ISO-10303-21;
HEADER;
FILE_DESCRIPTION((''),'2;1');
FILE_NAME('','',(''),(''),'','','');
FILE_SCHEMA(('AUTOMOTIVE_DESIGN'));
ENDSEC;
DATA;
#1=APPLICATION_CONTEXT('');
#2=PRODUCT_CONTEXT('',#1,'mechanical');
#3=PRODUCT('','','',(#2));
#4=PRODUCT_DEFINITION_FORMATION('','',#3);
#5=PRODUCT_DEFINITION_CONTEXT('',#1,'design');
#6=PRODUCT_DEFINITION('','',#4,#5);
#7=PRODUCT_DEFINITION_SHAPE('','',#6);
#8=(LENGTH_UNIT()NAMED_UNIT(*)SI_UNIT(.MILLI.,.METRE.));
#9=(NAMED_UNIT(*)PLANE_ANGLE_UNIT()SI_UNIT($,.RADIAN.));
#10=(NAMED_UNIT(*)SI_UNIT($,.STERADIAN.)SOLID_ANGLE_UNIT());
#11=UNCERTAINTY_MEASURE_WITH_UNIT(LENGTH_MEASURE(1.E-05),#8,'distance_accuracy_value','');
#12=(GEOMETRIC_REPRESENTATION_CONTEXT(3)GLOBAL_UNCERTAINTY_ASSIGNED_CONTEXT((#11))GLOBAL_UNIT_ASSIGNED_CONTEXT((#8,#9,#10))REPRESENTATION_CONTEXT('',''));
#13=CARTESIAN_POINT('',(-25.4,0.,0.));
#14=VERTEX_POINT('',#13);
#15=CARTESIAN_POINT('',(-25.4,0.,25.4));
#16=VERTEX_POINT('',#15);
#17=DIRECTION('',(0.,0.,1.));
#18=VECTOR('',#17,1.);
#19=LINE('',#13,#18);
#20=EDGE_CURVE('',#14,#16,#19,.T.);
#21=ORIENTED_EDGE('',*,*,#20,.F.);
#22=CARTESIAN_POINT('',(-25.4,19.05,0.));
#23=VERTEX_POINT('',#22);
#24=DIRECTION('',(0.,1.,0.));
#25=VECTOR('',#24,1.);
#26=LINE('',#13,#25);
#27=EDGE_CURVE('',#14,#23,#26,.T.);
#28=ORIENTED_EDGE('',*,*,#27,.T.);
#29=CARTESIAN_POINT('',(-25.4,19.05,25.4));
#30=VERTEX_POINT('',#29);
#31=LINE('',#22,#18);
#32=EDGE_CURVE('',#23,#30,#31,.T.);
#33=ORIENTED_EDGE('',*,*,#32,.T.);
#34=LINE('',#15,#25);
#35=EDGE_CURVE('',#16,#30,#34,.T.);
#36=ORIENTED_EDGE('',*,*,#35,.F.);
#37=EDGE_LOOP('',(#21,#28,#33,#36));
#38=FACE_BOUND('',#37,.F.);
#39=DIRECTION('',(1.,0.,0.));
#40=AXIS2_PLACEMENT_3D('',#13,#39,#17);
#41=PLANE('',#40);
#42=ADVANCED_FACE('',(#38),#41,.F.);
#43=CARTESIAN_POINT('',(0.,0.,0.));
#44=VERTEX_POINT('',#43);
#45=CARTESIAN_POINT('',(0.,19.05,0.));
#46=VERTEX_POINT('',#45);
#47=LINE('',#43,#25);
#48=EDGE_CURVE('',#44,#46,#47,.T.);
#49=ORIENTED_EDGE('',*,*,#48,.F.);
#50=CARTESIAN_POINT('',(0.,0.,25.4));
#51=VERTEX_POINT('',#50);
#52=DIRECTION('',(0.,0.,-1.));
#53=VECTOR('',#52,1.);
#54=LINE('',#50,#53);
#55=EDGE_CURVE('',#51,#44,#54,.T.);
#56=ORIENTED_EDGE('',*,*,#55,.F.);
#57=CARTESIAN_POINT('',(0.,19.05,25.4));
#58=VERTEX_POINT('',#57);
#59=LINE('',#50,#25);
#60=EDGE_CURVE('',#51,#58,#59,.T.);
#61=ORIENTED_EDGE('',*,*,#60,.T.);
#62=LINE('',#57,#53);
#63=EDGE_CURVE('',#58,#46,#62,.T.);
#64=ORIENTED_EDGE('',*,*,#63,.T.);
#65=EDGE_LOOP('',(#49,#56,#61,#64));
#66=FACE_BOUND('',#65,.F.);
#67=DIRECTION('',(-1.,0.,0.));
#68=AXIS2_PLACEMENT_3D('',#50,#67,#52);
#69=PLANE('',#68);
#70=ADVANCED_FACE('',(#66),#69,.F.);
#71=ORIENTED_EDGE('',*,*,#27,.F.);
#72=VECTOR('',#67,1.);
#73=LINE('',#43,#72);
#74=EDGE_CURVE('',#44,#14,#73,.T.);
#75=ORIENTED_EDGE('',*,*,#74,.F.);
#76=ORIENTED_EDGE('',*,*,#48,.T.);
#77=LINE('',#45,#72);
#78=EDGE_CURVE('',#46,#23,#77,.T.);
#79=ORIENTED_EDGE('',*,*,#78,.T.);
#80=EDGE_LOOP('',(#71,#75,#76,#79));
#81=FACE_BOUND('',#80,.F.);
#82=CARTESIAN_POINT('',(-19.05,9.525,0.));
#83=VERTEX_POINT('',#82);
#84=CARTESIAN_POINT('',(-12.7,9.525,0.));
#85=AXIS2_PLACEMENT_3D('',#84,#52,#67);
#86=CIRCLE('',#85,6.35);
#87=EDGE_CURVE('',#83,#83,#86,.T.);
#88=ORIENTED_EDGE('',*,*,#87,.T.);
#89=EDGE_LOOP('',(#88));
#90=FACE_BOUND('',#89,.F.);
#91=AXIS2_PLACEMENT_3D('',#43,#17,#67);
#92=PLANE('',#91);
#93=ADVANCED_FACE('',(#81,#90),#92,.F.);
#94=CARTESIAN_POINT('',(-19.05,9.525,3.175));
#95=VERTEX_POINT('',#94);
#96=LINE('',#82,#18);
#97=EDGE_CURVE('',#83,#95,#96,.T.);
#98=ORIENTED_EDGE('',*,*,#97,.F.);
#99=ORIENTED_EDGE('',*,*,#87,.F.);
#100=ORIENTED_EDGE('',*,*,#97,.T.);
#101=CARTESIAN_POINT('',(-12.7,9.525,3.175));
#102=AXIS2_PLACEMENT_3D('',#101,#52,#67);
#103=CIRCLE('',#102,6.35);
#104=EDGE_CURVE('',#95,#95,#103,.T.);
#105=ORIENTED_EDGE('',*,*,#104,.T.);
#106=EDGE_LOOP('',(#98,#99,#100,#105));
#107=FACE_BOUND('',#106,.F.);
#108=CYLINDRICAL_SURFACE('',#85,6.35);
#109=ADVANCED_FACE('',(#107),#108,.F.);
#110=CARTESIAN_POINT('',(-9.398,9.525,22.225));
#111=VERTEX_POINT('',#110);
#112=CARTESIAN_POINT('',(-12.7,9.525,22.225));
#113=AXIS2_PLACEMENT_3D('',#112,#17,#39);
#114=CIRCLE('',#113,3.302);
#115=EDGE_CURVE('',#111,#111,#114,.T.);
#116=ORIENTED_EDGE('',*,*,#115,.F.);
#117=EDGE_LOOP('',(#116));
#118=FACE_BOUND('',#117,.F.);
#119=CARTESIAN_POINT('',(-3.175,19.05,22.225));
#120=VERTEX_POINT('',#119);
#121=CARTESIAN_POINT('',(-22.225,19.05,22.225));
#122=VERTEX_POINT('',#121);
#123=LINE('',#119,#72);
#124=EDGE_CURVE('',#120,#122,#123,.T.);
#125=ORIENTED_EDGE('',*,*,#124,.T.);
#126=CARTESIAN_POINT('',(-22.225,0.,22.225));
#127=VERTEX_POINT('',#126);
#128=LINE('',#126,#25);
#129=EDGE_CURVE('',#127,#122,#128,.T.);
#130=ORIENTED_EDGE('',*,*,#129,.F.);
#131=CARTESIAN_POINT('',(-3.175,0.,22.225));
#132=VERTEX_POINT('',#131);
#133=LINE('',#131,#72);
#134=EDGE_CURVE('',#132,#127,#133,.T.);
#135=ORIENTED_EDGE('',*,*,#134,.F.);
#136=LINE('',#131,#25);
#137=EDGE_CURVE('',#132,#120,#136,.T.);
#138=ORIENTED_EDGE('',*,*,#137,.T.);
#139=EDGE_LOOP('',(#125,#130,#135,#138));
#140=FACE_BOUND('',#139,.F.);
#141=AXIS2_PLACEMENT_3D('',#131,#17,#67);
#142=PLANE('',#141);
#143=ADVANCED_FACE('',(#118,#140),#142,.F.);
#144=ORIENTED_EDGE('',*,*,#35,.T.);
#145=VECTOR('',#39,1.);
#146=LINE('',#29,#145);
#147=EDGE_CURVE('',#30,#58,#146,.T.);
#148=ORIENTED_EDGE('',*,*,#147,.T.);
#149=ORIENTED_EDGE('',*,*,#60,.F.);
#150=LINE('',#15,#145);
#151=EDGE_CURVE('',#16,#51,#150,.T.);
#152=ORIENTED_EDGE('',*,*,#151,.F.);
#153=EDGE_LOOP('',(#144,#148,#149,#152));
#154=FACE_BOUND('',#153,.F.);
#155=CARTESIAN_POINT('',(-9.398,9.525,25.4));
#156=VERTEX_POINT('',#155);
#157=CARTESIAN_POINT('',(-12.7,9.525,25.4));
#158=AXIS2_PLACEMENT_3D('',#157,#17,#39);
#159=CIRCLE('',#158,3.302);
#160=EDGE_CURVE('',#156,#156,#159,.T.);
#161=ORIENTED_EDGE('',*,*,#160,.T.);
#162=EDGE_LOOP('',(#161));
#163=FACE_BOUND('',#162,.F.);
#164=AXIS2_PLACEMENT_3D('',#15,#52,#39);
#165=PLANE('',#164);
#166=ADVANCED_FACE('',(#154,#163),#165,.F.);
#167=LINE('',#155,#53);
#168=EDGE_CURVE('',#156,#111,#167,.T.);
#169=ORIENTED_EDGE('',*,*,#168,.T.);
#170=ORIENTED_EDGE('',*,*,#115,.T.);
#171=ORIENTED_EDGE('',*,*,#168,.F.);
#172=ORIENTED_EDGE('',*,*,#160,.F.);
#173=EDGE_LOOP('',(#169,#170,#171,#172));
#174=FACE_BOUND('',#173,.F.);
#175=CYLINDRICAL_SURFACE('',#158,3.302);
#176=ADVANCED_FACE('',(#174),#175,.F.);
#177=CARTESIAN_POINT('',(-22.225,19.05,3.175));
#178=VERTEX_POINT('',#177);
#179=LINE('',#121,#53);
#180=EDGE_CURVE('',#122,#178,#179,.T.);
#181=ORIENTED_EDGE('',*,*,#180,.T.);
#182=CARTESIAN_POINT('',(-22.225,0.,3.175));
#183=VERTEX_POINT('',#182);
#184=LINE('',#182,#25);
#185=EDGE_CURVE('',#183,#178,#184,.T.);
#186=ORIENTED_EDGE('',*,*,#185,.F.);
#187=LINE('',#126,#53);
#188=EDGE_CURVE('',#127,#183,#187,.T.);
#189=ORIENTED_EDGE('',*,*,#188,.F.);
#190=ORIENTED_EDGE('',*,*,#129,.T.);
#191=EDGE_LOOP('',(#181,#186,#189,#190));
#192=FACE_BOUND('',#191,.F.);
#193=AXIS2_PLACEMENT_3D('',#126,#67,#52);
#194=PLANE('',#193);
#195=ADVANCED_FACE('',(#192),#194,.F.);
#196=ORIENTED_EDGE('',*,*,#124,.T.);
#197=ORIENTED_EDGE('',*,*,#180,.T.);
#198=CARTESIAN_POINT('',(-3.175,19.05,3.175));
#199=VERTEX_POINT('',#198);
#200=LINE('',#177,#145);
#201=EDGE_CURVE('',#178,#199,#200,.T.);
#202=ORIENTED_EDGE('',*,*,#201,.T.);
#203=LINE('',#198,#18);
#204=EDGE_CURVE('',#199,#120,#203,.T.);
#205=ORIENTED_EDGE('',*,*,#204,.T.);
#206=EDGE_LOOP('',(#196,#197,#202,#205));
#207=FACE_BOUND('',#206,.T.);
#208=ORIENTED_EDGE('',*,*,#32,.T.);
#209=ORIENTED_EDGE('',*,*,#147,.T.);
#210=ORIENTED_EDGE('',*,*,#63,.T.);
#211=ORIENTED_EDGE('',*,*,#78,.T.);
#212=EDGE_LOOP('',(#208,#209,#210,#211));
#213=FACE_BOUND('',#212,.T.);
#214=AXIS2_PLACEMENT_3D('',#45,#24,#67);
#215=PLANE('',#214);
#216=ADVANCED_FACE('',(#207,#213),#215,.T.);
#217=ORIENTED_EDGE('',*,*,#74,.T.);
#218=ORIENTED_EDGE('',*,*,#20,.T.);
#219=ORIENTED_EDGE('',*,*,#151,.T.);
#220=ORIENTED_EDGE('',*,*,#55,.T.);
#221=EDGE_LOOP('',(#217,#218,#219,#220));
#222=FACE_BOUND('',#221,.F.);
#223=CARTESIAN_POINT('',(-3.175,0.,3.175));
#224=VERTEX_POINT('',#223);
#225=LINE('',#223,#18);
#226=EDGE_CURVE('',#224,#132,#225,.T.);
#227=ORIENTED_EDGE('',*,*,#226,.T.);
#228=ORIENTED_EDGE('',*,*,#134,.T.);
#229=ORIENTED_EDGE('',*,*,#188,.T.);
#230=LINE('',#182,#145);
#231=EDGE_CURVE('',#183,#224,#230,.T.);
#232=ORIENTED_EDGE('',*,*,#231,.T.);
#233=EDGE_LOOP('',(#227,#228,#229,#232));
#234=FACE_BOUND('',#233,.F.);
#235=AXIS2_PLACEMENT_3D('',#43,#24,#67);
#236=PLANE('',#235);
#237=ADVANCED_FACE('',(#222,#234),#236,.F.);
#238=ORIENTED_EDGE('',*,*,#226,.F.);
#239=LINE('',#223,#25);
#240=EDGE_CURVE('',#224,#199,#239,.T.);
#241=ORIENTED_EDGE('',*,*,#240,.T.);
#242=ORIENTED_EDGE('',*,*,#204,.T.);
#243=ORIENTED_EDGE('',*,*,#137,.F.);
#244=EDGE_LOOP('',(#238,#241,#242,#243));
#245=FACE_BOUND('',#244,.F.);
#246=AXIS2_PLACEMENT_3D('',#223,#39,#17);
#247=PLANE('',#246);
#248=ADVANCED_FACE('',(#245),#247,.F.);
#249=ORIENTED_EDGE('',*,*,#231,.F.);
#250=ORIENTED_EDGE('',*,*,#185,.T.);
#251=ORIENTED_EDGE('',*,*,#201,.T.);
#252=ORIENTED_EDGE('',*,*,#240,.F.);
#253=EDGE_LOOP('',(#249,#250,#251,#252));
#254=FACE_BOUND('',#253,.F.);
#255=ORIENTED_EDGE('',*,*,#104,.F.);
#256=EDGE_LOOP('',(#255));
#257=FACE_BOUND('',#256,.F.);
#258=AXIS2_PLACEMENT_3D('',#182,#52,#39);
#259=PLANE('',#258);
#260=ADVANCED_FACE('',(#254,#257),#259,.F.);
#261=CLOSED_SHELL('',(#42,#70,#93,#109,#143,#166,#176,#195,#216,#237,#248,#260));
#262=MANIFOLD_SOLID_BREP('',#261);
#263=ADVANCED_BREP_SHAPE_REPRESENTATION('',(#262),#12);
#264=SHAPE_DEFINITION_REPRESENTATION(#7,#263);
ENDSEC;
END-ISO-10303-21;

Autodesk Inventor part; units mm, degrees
ref_plane "YZ Plane" through (0, 0, 0) normal (1, 0, 0) x (0, 1, 0)
ref_plane "XZ Plane" through (0, 0, 0) normal (0, 1, 0) x (-1, 0, 0)
ref_plane "XY Plane" through (0, 0, 0) normal (0, 0, 1) x (1, 0, 0)
sketch "Sketch1" plane through (0, 0, 0) normal (0, 1, 0) x (-1, 0, 0)
  line L0 (0, 0) -> (25.4, 0)
  line L1 (25.4, 0) -> (25.4, 25.4)
  line L2 (25.4, 25.4) -> (0, 25.4)
  line L3 (0, 25.4) -> (0, 0)
  line L4 (3.175, 22.225) -> (22.225, 22.225)
  line L5 (22.225, 22.225) -> (22.225, 3.175)
  line L6 (22.225, 3.175) -> (3.175, 3.175)
  line L7 (3.175, 3.175) -> (3.175, 22.225)
  dimension "d0" = 25.4
  dimension "d1" = 25.4
  dimension "d2" = 3.175
extrude "Extrusion1" add sketch "Sketch1" along normal blind 19.05
sketch "Sketch2" plane through (-25.4, 0, 25.4) normal (0, 0, 1) x (1, 0, 0)
  line L0 (0, 0) -> (25.4, 0) projected
  line L1 (25.4, 0) -> (25.4, 19.05) projected
  line L2 (0, 19.05) -> (25.4, 19.05) projected
  line L3 (0, 0) -> (0, 19.05) projected
  line L4 (0, 9.525) -> (25.4, 9.525) construction
  line L5 (12.7, 19.05) -> (12.7, 0) construction
  circle A0 centre (12.7, 9.525) radius 3.302
  dimension "d5" = 6.604
extrude "Extrusion2" cut sketch "Sketch2" against normal blind 25.4 contours A0
sketch "Sketch3" plane through (0, 0, 0) normal (0, 0, -1) x (-1, 0, 0)
  circle A0 centre (12.7, 9.525) radius 3.302 projected
  circle A1 centre (12.7, 9.525) radius 6.35
  dimension "d9" = 12.7
extrude "Extrusion3" cut sketch "Sketch3" against normal blind 3.175
properties part number "Chassis Part 12 (26x28)" material "Aluminum 6061"
